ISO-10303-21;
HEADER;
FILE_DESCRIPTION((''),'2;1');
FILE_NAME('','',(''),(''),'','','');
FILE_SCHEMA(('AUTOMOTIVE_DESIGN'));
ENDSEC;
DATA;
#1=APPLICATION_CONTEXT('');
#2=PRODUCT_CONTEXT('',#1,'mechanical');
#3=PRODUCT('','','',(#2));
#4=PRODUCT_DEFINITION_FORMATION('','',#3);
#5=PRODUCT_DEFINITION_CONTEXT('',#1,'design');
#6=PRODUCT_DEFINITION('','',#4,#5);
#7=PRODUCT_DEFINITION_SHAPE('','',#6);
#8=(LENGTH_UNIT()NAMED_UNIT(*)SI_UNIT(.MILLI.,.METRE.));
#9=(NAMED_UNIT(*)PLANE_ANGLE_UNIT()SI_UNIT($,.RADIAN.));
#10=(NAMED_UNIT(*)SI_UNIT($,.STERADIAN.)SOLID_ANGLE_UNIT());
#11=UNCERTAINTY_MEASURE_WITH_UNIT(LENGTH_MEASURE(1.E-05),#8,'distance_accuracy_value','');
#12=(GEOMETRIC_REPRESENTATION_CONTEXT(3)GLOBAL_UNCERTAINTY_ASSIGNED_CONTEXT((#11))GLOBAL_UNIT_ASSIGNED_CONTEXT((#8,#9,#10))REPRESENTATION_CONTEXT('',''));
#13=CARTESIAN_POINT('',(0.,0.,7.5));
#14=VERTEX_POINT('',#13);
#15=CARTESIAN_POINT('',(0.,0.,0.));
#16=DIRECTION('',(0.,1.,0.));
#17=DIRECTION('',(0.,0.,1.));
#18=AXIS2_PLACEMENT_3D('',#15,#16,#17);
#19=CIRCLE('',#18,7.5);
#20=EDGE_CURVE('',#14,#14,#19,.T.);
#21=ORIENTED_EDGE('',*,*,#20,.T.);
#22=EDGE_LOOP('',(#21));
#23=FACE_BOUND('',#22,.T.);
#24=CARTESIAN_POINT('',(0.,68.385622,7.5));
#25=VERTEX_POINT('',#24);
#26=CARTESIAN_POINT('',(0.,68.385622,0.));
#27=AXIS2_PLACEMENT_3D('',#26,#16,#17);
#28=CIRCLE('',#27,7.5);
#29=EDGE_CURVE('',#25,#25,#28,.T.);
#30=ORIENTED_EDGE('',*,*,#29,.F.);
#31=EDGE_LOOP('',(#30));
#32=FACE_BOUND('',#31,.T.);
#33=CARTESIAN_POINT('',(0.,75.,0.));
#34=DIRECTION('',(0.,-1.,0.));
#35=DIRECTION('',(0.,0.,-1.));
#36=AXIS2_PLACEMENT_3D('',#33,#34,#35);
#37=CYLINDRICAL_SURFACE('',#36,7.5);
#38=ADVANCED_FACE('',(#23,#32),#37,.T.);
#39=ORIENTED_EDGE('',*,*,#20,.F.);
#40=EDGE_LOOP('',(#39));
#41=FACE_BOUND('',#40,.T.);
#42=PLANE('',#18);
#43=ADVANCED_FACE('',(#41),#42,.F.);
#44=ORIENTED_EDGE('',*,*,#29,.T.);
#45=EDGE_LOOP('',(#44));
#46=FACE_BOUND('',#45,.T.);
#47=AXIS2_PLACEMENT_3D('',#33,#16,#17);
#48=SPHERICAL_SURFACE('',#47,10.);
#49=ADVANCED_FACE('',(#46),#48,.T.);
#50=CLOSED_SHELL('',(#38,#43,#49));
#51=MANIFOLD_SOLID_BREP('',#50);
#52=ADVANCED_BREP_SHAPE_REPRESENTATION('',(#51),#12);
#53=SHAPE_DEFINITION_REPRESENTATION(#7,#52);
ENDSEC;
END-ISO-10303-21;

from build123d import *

# Parameters (mm, degrees)
SKETCH1_R           = 7.5
BOSS_EXTRUDE1_DEPTH = 75


with BuildPart() as part:
    # Sketch1 → Boss-Extrude1 (new body)
    with BuildSketch(Plane(origin=(0, 0, 0), x_dir=(1, 0, 0), z_dir=(0, 1, 0))):
        with Locations(Location((0, 0, 0), (0, 0, 270))):
            Circle(SKETCH1_R)
    extrude(amount=BOSS_EXTRUDE1_DEPTH)

    # Sketch3 → Revolve1 (revolve)
    with BuildSketch(Plane(origin=(0, 75, 0), x_dir=(1, 0, 0), z_dir=(0, 1, 0))):
        with BuildLine():
            Line((0, 10), (0, -10))
            ThreePointArc((0, -10), (10, 0), (0, 10))
        make_face()
    revolve(axis=Axis((0, 75, -10), (0, 0, 1)))


solid = part.part
